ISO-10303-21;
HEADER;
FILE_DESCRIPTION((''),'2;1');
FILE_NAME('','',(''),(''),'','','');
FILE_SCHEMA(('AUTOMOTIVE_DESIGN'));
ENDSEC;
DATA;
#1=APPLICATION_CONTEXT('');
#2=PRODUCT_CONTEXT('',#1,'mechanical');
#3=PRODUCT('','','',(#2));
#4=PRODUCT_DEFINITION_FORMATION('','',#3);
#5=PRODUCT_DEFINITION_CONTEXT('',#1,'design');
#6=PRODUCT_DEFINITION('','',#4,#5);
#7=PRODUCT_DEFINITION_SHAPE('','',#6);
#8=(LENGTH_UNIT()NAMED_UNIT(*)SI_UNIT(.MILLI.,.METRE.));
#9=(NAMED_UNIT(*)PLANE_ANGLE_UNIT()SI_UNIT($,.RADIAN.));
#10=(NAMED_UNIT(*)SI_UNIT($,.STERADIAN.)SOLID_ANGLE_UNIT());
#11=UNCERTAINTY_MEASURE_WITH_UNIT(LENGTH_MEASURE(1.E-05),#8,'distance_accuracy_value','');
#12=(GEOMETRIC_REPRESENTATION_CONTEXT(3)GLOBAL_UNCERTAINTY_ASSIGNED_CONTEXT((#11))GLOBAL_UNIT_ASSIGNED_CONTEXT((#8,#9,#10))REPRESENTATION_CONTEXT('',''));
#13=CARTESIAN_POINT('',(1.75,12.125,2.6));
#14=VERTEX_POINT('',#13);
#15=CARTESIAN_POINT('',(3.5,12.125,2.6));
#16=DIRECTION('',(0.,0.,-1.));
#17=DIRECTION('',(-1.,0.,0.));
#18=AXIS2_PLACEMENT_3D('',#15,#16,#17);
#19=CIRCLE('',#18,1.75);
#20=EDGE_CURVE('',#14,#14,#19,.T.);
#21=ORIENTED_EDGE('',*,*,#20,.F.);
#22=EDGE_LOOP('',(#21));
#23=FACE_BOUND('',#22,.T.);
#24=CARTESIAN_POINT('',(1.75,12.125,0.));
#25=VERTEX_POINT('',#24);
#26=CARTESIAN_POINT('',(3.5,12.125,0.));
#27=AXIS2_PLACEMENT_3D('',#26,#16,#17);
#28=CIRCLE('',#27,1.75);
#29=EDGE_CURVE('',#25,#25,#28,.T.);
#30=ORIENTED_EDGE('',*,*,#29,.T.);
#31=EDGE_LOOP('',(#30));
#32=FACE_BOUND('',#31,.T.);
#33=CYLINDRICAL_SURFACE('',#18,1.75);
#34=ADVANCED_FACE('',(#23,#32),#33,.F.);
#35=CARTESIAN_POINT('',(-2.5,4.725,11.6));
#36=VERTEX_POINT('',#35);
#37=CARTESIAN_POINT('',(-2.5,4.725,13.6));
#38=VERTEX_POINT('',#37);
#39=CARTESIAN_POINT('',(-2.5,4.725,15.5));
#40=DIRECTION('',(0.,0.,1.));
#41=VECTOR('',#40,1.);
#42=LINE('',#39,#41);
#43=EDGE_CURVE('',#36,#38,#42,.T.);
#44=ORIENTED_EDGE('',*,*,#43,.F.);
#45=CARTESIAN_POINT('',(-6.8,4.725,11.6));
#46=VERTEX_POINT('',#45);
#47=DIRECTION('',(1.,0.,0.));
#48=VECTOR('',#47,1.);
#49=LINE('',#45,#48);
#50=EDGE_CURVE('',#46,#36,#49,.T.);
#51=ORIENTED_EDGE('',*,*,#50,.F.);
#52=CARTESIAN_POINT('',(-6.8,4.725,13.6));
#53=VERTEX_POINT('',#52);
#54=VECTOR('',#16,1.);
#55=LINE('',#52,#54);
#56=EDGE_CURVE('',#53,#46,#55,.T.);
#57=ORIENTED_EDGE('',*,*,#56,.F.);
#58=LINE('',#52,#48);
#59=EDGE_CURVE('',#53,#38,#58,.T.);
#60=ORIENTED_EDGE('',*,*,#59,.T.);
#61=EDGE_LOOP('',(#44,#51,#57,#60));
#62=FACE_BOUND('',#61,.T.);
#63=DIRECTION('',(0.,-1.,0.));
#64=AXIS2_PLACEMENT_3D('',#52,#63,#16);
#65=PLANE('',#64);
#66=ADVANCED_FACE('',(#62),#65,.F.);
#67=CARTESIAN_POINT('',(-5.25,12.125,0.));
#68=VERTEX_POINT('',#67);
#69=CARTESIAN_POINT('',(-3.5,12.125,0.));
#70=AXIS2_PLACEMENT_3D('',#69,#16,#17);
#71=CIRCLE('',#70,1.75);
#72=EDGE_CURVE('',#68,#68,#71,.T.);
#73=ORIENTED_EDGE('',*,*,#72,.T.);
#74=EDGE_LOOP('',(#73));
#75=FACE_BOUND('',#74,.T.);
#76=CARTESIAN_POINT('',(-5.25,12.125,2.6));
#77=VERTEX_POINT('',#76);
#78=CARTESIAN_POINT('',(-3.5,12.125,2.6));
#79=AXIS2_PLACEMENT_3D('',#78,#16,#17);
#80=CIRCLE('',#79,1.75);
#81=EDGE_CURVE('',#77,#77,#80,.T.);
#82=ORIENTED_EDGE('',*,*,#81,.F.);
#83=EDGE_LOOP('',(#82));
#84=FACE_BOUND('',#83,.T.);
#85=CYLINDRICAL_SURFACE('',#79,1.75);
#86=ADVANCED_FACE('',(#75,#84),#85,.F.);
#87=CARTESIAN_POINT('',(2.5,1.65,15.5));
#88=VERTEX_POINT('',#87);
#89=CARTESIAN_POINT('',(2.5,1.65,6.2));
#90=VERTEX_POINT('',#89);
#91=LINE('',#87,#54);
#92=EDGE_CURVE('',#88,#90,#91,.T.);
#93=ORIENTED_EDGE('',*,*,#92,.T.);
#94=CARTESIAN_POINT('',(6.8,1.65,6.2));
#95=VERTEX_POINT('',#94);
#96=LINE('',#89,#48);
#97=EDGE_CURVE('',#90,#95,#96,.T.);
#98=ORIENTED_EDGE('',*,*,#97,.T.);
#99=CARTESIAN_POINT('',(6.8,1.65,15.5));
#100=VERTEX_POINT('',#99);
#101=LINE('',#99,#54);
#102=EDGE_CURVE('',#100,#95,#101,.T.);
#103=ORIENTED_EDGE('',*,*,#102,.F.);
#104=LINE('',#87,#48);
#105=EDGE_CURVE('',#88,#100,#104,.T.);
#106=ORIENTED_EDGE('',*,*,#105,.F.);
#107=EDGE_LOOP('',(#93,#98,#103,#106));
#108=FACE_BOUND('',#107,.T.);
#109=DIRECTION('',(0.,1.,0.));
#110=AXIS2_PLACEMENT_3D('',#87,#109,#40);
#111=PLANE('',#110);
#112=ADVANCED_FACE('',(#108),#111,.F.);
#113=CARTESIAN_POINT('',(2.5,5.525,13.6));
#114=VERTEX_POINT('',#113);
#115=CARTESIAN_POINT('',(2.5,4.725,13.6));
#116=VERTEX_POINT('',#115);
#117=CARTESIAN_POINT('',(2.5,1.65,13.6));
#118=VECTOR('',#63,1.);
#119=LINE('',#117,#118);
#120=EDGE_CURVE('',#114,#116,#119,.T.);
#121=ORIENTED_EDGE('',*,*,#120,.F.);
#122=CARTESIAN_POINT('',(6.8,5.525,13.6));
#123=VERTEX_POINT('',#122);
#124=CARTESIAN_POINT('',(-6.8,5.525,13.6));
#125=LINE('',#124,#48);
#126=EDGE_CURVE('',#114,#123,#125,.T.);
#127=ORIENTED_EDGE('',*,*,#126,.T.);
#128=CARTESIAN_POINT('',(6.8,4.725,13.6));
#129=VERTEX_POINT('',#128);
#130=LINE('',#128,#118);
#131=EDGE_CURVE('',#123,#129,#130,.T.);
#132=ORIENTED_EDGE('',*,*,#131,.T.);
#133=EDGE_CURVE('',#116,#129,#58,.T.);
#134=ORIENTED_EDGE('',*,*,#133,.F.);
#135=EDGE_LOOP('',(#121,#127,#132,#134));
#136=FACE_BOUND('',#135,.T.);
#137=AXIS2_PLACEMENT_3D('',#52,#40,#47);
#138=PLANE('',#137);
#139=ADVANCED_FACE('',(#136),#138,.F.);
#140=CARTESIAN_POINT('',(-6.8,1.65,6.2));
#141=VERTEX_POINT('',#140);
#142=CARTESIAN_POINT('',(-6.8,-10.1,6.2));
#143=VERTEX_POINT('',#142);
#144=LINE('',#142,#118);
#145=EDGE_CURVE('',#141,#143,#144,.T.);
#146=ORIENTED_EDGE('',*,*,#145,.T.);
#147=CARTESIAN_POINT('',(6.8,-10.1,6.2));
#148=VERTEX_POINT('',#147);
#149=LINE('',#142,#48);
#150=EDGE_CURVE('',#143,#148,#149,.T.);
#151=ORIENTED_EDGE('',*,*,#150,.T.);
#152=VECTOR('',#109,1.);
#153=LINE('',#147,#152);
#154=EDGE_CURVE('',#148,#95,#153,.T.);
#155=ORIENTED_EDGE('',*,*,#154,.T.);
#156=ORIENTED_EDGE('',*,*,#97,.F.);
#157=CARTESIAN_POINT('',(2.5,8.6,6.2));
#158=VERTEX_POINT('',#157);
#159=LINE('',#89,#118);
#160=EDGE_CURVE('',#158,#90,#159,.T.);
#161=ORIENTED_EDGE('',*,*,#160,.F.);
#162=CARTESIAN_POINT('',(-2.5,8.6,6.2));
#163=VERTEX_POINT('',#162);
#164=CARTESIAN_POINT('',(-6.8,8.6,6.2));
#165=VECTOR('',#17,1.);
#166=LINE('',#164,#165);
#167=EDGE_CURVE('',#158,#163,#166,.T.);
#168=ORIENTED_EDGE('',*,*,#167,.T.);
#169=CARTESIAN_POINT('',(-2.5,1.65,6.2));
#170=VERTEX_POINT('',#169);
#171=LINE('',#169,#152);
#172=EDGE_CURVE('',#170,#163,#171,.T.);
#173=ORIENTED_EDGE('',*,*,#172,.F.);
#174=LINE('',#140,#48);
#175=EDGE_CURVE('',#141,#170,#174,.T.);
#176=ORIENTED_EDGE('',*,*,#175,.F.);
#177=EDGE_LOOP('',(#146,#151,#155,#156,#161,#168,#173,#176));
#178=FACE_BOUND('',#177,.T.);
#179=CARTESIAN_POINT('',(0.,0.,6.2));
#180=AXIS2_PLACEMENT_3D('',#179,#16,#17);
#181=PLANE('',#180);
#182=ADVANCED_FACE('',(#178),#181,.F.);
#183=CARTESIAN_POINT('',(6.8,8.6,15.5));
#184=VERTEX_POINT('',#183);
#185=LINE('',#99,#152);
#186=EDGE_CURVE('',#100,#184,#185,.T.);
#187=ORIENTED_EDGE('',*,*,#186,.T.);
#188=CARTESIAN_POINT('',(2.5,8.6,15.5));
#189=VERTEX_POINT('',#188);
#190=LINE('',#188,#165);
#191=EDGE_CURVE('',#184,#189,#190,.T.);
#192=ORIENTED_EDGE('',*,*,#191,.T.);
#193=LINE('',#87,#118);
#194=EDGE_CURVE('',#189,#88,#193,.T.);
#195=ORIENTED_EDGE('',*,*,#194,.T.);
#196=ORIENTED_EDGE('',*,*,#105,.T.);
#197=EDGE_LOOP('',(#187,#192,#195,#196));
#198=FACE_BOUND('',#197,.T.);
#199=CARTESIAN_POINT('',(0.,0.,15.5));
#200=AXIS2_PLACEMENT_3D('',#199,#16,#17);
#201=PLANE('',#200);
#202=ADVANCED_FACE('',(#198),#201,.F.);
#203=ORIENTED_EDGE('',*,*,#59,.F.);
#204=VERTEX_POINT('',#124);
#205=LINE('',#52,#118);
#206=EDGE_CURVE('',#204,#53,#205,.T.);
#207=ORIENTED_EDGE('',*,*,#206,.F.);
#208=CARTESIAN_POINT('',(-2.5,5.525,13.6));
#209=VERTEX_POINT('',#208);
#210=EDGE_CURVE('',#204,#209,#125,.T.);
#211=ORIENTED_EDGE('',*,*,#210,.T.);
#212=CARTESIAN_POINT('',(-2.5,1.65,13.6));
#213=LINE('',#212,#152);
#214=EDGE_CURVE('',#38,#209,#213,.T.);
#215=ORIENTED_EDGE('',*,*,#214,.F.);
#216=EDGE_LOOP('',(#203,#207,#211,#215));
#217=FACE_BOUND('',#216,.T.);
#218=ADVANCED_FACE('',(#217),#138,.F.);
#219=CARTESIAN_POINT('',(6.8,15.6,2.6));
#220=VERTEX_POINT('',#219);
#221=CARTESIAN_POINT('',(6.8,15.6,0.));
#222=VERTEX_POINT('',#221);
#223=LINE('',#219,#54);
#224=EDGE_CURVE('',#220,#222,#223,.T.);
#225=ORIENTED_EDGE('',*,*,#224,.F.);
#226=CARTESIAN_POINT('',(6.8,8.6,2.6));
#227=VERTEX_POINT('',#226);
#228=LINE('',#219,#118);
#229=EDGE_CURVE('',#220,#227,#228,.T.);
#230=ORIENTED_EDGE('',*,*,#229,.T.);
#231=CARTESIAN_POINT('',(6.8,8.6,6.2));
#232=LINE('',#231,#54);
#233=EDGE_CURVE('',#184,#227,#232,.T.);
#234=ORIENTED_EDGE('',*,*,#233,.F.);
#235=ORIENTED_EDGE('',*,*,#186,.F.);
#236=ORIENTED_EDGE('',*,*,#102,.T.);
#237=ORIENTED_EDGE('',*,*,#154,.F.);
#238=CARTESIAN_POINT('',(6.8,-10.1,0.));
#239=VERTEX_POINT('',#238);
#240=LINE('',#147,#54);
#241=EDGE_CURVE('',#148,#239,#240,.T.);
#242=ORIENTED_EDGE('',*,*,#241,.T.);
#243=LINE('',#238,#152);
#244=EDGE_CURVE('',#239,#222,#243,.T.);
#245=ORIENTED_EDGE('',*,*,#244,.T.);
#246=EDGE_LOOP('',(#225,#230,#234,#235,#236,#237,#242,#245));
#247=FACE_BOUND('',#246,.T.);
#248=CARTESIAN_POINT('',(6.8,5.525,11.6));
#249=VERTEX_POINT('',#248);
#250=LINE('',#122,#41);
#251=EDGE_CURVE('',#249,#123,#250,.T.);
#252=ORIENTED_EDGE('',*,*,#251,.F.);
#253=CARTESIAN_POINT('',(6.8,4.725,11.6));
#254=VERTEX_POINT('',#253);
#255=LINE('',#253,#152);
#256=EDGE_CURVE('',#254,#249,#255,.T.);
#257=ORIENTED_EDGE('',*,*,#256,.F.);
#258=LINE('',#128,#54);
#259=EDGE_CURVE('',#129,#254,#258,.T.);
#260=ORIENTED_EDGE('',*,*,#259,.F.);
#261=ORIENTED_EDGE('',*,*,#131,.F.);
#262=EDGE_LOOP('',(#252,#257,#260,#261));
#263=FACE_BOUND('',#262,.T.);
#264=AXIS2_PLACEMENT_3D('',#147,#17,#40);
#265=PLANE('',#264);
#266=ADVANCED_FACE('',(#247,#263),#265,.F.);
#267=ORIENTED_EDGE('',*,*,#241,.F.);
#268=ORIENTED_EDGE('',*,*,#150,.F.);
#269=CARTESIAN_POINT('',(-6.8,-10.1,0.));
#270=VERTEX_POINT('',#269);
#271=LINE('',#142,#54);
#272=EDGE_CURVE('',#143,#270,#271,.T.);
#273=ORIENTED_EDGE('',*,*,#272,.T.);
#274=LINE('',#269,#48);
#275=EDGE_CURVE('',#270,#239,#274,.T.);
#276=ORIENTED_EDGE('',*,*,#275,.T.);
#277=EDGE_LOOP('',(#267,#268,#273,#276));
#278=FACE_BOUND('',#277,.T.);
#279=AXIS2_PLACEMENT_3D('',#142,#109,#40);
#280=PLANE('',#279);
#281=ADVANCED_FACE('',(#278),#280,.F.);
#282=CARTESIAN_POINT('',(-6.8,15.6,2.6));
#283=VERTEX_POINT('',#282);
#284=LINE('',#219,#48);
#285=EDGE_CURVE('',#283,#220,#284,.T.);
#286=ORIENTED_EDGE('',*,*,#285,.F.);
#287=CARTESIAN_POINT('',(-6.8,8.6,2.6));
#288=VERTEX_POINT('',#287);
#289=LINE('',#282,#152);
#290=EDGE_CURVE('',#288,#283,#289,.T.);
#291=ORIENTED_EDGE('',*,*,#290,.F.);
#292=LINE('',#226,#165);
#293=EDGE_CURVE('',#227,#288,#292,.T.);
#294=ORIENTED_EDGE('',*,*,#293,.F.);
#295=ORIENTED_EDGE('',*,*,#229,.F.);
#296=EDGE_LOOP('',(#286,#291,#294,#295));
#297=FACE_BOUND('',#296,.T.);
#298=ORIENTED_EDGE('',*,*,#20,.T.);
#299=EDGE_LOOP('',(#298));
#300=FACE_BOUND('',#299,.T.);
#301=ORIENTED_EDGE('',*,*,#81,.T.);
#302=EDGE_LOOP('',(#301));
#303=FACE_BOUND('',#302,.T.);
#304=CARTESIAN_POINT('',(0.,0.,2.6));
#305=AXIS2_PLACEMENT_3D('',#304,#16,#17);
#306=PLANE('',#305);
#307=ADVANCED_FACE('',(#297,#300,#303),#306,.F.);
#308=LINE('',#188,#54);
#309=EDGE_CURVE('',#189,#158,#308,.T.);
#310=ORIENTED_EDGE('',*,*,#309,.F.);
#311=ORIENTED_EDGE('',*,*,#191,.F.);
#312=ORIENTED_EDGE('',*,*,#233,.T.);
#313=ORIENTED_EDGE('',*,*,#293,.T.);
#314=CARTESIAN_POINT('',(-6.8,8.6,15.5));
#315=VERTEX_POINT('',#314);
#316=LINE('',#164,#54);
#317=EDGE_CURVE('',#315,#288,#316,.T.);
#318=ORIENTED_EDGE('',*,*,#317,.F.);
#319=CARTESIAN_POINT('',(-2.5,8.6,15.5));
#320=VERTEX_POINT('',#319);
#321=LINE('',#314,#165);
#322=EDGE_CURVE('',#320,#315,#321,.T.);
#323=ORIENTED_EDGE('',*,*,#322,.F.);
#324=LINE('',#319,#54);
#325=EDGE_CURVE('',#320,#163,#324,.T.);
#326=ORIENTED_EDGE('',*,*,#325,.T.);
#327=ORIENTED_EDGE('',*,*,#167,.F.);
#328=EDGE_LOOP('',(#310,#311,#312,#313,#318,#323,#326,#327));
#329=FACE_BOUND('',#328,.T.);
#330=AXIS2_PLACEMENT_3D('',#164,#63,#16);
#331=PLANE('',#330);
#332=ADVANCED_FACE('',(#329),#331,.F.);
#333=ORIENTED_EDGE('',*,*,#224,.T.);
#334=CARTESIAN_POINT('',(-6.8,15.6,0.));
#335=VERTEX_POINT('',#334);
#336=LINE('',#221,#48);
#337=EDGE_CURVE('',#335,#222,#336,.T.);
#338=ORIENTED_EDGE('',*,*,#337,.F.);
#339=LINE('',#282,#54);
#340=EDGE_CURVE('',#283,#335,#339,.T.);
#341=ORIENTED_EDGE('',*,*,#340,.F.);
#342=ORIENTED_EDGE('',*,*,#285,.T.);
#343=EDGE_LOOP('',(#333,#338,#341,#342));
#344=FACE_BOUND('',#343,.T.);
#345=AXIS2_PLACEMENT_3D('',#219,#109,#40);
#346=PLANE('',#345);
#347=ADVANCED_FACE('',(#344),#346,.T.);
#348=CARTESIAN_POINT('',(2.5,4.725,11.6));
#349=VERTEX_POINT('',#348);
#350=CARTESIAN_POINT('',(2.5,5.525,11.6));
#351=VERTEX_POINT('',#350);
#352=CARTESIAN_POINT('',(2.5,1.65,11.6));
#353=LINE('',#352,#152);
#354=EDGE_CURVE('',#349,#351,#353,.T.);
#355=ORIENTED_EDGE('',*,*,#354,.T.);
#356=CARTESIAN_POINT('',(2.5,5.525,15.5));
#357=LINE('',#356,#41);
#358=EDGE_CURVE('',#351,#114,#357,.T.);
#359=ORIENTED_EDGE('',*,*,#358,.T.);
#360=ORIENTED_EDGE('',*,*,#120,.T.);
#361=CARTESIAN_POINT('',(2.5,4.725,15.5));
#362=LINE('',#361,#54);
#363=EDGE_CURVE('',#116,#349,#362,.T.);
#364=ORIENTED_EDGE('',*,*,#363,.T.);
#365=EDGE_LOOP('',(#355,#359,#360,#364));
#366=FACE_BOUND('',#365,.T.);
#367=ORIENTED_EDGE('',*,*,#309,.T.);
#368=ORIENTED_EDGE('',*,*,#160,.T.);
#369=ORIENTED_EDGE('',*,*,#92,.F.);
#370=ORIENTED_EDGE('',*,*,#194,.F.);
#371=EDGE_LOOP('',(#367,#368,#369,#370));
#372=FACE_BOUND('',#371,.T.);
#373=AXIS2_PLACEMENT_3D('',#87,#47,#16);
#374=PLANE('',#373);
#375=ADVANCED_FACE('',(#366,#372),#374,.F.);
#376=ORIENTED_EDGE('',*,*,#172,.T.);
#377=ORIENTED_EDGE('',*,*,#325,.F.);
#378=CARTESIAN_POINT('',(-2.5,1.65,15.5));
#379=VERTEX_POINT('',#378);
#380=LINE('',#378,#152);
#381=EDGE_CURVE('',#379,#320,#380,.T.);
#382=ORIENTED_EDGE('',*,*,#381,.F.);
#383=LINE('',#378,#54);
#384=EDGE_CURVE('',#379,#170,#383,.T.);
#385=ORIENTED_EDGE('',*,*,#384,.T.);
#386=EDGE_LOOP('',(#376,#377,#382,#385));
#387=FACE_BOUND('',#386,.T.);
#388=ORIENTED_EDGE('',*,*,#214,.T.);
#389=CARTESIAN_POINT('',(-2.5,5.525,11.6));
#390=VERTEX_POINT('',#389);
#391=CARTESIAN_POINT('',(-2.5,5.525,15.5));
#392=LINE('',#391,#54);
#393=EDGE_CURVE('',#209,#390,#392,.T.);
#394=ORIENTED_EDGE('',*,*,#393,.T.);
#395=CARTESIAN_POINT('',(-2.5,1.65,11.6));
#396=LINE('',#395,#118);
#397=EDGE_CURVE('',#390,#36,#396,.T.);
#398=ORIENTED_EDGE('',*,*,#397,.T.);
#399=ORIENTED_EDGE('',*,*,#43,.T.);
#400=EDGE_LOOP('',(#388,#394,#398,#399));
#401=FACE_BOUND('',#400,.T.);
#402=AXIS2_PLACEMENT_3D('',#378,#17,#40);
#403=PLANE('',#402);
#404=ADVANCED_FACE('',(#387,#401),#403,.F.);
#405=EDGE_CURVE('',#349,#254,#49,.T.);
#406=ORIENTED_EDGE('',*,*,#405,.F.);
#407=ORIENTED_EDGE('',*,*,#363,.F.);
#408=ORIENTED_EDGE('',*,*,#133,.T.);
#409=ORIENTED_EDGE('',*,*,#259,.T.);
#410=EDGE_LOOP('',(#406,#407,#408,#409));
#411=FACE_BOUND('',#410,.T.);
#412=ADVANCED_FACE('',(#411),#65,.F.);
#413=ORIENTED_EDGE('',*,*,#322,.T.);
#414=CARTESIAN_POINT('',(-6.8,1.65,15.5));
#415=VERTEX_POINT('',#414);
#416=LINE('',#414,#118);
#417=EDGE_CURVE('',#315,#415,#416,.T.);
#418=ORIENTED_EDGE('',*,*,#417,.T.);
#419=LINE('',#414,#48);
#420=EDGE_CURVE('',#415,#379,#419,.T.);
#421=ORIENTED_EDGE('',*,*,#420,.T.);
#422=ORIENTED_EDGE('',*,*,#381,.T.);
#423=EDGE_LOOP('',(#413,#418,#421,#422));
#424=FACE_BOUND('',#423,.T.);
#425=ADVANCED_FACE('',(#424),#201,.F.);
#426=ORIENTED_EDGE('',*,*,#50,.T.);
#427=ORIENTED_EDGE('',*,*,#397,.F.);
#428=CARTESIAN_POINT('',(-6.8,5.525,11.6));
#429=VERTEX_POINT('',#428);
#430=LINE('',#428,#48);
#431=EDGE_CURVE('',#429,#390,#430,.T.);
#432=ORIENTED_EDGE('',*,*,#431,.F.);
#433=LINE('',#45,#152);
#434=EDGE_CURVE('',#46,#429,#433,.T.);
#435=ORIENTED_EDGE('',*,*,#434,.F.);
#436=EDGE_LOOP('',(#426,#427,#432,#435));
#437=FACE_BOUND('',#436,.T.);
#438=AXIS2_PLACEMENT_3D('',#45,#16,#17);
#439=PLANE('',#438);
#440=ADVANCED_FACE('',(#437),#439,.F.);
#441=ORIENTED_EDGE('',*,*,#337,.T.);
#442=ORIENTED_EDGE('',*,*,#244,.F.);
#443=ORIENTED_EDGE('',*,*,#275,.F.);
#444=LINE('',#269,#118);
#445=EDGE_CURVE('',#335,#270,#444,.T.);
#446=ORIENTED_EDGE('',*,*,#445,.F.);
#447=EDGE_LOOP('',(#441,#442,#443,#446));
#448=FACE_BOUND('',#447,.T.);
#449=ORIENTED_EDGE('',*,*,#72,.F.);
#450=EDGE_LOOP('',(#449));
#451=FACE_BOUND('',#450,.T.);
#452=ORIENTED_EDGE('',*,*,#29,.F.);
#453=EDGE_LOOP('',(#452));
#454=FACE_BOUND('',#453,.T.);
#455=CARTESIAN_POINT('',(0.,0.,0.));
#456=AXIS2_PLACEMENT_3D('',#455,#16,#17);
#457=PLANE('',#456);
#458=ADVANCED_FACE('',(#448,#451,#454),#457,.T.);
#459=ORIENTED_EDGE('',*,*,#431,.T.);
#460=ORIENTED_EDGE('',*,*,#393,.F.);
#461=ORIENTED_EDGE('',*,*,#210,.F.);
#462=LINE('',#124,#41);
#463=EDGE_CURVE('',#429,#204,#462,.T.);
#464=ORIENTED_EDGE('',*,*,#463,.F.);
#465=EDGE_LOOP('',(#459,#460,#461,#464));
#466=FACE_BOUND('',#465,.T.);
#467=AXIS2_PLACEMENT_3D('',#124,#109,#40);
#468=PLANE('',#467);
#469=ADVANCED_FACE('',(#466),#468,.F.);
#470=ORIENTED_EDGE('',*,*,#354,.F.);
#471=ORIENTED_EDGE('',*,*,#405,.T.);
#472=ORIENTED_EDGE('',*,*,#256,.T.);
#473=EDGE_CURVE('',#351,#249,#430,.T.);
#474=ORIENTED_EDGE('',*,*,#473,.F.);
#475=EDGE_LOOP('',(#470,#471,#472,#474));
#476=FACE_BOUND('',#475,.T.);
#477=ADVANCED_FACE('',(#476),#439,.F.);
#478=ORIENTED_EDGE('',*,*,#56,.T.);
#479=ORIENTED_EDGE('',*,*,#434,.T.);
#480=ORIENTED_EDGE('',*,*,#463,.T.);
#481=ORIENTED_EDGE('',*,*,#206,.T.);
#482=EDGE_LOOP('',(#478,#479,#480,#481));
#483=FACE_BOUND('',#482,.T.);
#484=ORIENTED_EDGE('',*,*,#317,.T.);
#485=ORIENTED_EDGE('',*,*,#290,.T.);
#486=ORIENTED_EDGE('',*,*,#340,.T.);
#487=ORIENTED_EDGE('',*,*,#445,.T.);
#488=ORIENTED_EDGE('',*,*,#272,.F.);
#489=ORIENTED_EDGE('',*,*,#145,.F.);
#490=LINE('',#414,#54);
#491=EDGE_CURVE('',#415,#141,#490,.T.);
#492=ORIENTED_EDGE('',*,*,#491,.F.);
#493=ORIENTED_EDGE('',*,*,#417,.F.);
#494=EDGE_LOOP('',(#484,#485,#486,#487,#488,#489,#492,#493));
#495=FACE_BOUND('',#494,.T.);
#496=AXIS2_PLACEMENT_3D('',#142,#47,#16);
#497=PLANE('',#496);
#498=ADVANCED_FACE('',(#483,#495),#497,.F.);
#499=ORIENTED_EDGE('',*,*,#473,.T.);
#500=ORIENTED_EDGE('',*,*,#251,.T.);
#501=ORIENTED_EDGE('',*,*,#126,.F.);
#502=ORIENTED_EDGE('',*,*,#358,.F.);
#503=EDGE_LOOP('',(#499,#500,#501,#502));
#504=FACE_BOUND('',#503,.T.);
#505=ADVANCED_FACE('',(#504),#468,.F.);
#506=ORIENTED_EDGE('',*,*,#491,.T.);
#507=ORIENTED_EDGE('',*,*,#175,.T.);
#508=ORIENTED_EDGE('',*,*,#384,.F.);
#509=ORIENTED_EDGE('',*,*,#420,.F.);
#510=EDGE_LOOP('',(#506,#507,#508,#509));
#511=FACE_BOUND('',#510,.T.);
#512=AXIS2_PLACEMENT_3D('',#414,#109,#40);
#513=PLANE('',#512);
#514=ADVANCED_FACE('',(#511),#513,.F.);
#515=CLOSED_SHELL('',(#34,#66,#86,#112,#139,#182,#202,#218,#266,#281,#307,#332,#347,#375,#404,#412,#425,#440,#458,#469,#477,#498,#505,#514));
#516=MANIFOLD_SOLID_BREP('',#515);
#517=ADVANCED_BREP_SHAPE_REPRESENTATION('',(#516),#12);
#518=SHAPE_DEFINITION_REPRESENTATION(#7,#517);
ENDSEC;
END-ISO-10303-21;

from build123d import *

# Parameters (mm, degrees)
SKETCH_1_W          = 13.6
SKETCH_1_H          = 18.7
EXTRUDE_1_DEPTH     = 6.2
SKETCH_2_W          = 4.3
SKETCH_2_H          = 6.95
EXTRUDE_2_DEPTH     = 9.3
SKETCH_3_W          = 13.6
SKETCH_3_H          = 7
SKETCH_3_R          = 1.75
EXTRUDE_3_DEPTH     = 2.6
SKETCH_4_W          = 2
SKETCH_4_H          = 0.8
CUT_EXTRUDE_1_DEPTH = 26.856720596


with BuildPart() as part:
    # 草图1 → 凸台-拉伸1 (new body)
    with BuildSketch(Plane.XY):
        with Locations((0, -0.75)):
            Rectangle(SKETCH_1_W, SKETCH_1_H)
    extrude(amount=EXTRUDE_1_DEPTH)

    # 草图2 → 凸台-拉伸2 (add)
    with BuildSketch(Plane.XY.offset(6.2)):
        with Locations((4.65, 5.125)):
            Rectangle(SKETCH_2_W, SKETCH_2_H)
        with Locations((-4.65, 5.125)):
            Rectangle(SKETCH_2_W, SKETCH_2_H)
    extrude(amount=EXTRUDE_2_DEPTH)

    # 草图3 → 凸台-拉伸3 (add)
    with BuildSketch(Plane(origin=(0, 0, 0), x_dir=(-1, 0, 0), z_dir=(0, 0, -1))):
        with Locations((0, 12.1)):
            Rectangle(SKETCH_3_W, SKETCH_3_H)
        with Locations((-3.5, 12.125)):
            Circle(SKETCH_3_R, mode=Mode.SUBTRACT)
        with Locations((3.5, 12.125)):
            Circle(SKETCH_3_R, mode=Mode.SUBTRACT)
    extrude(amount=-EXTRUDE_3_DEPTH)

    # 草图4 → 切除-拉伸1 (cut, through all)
    with BuildSketch(Plane(origin=(6.8, 0, 0), x_dir=(0, 0, -1), z_dir=(1, 0, 0))):
        with Locations((-12.6, 5.125)):
            Rectangle(SKETCH_4_W, SKETCH_4_H)
    extrude(amount=-CUT_EXTRUDE_1_DEPTH, mode=Mode.SUBTRACT)


solid = part.part
